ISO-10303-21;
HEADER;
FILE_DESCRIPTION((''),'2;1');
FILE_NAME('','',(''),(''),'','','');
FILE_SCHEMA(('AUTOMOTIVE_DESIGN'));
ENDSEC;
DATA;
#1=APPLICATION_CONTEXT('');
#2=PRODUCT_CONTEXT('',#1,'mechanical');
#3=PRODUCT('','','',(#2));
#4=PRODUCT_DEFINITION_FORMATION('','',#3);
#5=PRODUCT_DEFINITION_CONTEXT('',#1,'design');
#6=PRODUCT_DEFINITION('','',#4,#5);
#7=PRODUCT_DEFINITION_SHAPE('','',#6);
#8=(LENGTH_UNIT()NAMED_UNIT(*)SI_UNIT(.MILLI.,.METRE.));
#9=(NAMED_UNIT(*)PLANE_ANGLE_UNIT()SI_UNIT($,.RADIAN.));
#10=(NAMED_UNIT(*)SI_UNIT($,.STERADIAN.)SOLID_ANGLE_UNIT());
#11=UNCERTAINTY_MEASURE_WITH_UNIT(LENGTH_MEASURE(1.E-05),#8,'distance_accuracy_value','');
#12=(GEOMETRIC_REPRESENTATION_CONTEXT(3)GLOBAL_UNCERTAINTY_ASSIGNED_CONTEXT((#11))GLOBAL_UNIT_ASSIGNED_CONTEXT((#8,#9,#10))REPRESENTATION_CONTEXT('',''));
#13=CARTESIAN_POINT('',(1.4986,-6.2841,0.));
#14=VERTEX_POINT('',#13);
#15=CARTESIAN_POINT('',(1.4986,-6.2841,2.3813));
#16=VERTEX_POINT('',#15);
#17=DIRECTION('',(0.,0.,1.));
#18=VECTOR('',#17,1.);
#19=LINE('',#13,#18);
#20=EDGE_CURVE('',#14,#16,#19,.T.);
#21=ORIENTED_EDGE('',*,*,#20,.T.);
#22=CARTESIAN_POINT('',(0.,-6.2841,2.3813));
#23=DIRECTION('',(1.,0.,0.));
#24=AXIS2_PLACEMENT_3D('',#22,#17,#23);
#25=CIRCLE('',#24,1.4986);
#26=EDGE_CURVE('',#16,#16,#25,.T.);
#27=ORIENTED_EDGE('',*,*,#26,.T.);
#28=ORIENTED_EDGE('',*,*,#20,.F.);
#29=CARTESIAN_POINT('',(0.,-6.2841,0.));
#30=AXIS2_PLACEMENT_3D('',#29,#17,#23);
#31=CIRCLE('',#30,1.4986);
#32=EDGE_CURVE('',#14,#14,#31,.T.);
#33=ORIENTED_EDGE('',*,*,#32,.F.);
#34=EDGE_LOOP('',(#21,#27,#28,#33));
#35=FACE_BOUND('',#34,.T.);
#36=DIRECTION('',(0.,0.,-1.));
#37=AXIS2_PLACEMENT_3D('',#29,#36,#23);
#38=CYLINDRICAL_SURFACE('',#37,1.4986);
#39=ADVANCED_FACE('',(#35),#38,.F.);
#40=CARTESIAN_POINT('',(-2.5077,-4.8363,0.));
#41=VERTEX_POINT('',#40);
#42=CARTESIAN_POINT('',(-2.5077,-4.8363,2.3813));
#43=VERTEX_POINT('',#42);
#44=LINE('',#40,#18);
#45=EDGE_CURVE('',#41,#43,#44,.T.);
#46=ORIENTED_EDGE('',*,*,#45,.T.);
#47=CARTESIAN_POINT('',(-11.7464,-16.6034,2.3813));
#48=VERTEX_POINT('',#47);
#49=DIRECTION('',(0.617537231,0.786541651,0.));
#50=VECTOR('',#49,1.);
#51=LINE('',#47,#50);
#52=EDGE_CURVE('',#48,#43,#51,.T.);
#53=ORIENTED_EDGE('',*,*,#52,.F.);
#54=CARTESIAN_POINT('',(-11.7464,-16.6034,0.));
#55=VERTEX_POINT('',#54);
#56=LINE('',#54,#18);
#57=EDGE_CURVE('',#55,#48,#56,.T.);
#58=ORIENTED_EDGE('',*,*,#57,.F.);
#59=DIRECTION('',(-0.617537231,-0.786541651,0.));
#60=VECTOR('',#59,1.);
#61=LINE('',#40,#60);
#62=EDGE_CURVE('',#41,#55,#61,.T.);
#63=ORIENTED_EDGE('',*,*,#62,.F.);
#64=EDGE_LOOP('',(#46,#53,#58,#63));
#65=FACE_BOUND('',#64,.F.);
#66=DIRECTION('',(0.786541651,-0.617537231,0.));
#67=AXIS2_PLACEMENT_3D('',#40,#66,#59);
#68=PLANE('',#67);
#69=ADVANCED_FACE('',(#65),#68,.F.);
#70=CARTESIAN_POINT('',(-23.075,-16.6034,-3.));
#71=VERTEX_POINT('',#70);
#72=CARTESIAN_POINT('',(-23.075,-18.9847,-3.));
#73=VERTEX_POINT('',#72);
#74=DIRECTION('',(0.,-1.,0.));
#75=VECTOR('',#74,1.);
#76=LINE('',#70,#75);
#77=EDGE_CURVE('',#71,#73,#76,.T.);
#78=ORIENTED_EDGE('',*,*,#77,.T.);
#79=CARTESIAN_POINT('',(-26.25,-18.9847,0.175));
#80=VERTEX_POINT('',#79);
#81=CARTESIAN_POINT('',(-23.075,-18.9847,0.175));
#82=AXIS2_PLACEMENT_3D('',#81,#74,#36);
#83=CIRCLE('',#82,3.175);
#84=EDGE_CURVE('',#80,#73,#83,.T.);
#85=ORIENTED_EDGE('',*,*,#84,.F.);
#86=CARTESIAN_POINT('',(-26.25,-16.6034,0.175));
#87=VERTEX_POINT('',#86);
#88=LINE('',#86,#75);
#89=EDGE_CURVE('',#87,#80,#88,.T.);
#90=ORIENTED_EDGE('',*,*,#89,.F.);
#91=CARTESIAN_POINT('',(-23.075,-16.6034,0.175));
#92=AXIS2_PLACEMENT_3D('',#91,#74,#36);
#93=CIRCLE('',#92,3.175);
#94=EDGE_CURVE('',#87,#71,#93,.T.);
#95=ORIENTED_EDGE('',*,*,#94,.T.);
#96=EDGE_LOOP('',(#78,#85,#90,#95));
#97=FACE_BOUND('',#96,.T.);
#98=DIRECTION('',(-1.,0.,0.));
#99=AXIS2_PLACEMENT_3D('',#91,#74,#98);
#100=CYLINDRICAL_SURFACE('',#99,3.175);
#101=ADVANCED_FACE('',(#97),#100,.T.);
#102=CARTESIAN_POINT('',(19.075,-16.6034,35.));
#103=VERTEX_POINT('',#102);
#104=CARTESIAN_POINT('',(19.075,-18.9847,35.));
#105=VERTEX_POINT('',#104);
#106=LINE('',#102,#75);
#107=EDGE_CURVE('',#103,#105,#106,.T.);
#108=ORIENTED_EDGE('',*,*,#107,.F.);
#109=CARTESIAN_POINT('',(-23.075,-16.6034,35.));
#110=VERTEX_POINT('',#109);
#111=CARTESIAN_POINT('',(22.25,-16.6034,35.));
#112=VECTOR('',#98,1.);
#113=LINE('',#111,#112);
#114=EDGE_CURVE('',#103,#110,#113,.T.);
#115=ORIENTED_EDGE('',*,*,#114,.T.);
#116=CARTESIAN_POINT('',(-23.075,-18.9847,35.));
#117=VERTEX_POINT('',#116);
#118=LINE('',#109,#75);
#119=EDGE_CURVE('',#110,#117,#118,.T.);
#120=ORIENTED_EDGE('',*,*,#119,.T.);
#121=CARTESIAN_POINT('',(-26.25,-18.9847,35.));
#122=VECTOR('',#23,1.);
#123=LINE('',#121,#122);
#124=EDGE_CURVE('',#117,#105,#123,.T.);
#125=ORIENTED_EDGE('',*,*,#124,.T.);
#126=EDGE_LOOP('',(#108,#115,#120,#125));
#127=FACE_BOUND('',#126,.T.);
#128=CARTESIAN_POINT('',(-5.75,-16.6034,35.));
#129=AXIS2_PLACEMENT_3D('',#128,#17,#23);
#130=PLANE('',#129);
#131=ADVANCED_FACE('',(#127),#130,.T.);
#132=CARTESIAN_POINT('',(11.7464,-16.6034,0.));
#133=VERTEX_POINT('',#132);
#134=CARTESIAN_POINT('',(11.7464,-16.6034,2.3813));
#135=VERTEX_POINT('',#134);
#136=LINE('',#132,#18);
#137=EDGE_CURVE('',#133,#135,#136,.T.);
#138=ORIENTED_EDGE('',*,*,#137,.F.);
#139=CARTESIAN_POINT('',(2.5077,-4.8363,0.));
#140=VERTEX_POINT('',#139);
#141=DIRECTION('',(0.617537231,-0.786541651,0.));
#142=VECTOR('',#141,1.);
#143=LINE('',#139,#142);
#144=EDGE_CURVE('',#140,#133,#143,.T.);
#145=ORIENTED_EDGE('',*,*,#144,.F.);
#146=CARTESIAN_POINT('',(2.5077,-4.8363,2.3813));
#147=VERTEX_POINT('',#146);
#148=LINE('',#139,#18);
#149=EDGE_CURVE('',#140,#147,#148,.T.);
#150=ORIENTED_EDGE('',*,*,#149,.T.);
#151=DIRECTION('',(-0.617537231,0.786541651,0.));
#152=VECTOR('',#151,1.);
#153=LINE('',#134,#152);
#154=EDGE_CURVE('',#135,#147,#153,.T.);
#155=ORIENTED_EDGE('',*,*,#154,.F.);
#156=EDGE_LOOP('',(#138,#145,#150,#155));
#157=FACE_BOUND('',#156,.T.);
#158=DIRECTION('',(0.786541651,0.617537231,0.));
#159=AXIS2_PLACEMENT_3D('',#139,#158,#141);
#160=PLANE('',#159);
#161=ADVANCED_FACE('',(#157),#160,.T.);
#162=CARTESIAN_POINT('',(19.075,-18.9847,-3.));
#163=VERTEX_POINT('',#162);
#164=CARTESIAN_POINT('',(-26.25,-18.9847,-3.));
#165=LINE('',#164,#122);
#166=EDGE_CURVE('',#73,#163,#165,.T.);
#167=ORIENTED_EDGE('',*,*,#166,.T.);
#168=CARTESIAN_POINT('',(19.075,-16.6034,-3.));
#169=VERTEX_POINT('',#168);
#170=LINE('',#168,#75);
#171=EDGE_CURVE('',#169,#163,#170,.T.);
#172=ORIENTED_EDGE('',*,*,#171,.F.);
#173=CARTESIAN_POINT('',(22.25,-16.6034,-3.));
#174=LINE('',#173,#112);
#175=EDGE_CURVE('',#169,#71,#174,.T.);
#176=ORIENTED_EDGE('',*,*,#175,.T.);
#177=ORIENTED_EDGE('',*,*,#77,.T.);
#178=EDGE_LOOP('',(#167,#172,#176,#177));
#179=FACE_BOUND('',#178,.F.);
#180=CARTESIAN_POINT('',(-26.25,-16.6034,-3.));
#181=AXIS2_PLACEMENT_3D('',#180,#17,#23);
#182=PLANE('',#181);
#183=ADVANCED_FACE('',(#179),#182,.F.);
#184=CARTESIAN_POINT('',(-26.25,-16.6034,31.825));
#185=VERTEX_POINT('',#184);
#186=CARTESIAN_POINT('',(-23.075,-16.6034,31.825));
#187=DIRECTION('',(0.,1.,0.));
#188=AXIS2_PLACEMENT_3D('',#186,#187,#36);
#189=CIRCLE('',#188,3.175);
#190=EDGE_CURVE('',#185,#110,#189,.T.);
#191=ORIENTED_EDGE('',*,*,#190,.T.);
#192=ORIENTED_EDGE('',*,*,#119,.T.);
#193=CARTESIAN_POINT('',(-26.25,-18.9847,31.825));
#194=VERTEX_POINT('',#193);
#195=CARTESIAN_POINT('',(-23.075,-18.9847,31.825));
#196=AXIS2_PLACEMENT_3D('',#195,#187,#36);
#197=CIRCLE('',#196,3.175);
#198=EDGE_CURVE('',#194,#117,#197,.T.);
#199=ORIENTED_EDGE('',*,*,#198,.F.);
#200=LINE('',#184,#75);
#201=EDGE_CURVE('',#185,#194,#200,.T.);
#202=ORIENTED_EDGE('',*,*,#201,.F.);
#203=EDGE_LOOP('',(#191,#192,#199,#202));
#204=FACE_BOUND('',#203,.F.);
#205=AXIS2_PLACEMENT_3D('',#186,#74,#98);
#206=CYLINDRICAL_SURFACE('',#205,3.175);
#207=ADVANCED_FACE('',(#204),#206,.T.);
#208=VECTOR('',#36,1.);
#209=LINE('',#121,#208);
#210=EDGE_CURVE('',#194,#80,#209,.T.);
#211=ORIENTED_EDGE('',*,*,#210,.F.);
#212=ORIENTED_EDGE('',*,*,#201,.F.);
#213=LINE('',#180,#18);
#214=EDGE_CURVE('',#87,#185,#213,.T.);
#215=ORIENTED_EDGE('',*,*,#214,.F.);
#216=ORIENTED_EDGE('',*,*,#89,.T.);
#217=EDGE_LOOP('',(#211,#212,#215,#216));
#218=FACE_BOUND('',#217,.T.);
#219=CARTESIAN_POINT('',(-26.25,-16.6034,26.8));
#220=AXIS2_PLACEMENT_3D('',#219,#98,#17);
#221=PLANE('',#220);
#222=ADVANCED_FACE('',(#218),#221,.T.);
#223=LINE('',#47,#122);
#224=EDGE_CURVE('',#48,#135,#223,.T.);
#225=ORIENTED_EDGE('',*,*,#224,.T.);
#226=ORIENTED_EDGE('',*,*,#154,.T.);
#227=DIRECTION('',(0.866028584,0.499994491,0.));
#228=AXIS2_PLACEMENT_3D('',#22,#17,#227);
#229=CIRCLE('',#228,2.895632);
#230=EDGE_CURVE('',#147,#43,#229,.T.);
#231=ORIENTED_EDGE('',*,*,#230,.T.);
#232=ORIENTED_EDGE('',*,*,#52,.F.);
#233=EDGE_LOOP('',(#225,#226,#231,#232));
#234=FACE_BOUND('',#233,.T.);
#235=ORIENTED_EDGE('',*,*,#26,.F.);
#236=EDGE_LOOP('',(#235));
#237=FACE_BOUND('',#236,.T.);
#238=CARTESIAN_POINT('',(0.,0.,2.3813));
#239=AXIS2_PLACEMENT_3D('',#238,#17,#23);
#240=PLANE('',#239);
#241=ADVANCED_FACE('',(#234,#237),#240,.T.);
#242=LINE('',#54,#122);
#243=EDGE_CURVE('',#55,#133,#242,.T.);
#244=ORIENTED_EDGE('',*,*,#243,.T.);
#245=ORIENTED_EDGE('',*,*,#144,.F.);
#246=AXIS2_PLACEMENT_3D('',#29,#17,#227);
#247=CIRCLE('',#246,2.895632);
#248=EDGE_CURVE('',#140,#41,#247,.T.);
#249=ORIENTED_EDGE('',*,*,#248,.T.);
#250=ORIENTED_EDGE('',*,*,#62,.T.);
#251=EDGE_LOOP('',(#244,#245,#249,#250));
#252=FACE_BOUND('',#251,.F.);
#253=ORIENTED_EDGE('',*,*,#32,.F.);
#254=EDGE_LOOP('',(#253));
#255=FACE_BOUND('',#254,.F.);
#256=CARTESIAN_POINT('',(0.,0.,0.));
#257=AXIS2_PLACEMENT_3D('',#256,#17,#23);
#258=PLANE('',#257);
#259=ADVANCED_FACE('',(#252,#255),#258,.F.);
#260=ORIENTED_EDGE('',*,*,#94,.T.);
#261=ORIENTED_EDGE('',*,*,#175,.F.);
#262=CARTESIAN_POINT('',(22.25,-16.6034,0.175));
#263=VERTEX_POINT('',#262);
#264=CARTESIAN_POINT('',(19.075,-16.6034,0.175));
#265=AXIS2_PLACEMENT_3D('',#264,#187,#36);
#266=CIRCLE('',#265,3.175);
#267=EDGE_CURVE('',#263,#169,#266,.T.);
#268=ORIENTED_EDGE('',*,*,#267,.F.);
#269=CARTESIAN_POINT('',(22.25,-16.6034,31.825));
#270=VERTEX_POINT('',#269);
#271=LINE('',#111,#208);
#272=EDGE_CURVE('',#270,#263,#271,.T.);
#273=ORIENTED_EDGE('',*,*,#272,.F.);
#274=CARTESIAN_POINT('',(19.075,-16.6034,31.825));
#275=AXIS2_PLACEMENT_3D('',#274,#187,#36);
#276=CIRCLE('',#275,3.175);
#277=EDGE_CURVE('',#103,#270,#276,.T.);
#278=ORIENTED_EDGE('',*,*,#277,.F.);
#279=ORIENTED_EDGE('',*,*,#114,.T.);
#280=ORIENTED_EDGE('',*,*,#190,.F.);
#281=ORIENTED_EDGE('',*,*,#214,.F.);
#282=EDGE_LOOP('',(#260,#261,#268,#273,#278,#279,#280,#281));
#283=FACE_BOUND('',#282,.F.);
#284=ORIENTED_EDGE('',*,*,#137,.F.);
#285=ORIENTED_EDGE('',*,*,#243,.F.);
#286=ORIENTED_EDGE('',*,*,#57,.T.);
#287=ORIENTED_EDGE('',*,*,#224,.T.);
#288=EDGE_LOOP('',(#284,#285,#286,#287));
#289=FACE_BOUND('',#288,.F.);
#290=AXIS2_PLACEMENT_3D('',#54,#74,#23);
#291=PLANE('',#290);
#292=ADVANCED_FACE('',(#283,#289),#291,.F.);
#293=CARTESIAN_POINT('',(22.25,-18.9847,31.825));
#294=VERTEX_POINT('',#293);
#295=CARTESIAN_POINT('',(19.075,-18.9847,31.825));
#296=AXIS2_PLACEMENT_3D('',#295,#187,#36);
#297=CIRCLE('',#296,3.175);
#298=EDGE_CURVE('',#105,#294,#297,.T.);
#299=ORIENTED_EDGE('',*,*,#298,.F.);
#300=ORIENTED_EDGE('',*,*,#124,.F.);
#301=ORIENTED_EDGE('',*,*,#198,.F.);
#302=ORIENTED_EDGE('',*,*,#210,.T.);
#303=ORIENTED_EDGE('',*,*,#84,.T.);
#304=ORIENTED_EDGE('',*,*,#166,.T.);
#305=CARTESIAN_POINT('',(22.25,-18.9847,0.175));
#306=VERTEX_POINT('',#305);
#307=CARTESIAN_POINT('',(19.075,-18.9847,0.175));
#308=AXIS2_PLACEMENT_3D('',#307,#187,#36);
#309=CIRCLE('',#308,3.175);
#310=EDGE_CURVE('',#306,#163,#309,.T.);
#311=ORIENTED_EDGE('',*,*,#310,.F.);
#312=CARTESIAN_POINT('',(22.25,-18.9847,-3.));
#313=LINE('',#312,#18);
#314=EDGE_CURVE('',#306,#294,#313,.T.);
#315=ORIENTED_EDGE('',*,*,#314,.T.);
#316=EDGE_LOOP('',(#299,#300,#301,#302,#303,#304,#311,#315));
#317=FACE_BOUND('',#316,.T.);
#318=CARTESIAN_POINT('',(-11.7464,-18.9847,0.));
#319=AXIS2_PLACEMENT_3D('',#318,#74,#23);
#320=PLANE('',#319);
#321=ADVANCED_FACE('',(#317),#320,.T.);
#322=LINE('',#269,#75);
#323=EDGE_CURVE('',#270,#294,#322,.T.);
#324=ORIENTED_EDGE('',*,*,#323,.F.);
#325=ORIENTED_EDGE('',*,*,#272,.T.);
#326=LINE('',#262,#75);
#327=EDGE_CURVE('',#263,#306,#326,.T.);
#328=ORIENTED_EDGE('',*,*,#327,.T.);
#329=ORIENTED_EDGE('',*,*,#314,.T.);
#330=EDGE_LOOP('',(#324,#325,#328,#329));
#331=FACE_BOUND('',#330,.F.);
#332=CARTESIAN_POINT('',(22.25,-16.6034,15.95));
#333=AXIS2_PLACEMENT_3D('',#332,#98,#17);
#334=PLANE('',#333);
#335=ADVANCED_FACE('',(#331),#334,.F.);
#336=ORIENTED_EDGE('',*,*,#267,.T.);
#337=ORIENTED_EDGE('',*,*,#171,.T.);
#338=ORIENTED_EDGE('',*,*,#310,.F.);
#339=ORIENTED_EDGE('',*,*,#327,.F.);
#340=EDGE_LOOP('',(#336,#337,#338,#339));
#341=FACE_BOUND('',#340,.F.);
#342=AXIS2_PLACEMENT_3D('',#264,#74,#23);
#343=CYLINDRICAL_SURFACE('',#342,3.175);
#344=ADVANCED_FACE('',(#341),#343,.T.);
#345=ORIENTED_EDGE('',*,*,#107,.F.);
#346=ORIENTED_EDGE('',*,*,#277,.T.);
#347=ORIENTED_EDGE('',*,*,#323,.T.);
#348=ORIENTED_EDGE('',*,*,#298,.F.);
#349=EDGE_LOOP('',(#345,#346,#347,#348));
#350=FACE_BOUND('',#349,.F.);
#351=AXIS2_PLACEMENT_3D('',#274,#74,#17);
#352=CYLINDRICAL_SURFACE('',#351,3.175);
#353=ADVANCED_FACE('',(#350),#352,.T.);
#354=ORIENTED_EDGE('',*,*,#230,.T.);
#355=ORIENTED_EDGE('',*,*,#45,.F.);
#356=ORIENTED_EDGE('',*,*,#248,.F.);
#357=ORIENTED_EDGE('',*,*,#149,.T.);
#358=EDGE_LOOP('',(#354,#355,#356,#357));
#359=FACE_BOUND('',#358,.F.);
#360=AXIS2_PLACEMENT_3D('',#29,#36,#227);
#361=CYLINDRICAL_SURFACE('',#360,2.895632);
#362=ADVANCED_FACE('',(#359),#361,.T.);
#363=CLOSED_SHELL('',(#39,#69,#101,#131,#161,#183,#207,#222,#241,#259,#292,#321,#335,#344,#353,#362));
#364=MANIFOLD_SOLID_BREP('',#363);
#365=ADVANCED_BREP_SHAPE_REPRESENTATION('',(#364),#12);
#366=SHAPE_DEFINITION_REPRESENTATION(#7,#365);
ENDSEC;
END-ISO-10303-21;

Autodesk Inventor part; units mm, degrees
ref_plane "YZ Plane" through (0, 0, 0) normal (1, 0, 0) x (0, 1, 0)
ref_plane "XZ Plane" through (0, 0, 0) normal (0, 1, 0) x (-1, 0, 0)
ref_plane "XY Plane" through (0, 0, 0) normal (0, 0, 1) x (1, 0, 0)
ref_plane "Work Plane1" through (0, 0, 0) normal (0, 0, 1) x (1, 0, 0)
sketch "Sketch1" plane through (0, 0, 0) normal (0, 0, 1) x (1, 0, 0)
  circle A0 centre (0, -6.2841) radius 1.4986 projected
  arc A1 (-2.5077, -7.7319) -> (2.5077, -7.7319) centre (0, -6.2841) ccw projected
  line L0 (-2.5077, -7.7319) -> (-11.746, 4.0347) projected
  line L1 (11.746, 4.0347) -> (-11.746, 4.0347) projected
  line L2 (11.746, 4.0347) -> (2.5077, -7.7319) projected
  circle A2 centre (0, -6.2841) radius 1.4986
  line L3 (-11.746, 4.0347) -> (-3.6444, -6.2841)
  line L4 (3.6444, -6.2841) -> (11.746, 4.0347)
  line L5 (11.746, 4.0347) -> (-11.746, 4.0347)
  line L6 (2.5077, -4.8363) -> (11.7464, -16.6034)
  line L7 (-2.5077, -4.8363) -> (-11.7464, -16.6034)
  line L8 (-11.7464, -16.6034) -> (11.7464, -16.6034)
  arc A3 (2.5077, -4.8363) -> (-2.5077, -4.8363) centre (0, -6.2841) ccw
  point P0 (0, 0)
  dimension "d0" = 14.9606
  dimension "d1" = 14.9606
extrude "Extrusion1" add sketch "Sketch1" along normal blind 2.3813 contours L0 L7 A3 L6 L2 A1 | A1 L2 L6 L8 L7 L0
sketch "Sketch2" plane through (-11.7464, -16.6034, 0) normal (0, -1, 0) x (1, 0, 0)
  line L0 (5.9964, 35) -> (26.2464, 35) projected
  line L1 (20.4964, -2.75) -> (29.2464, -2.75) projected
  line L2 (-7.5036, -3) -> (1.4964, -3) projected
  line L3 (-14.5036, 16.05) -> (-14.5036, 26.8) projected
  line L4 (33.9964, 15.95) -> (33.9964, 5) projected
  line L5 (-14.5036, 26.8) -> (-14.5036, -3)
  line L6 (-14.5036, -3) -> (33.9964, -3)
  line L7 (33.9964, -3) -> (33.9964, 35)
  line L8 (33.9964, 35) -> (-14.5036, 35)
  line L9 (-14.5036, -3) -> (-14.5036, 35)
  point P0 (11.7464, 0)
extrude "Extrusion2" add sketch "Sketch2" along normal blind 2.3813
fillet "Fillet1" radius 3.175 1 edges at (-26.25, -17.794, -3)
fillet "Fillet2" radius 3.175 1 edges at (-26.25, -17.794, 35)
fillet "Fillet3" radius 3.175 1 edges at (22.25, -17.794, 35)
fillet "Fillet4" radius 3.175 1 edges at (22.25, -17.794, -3)
properties part number "headtilt-base"
